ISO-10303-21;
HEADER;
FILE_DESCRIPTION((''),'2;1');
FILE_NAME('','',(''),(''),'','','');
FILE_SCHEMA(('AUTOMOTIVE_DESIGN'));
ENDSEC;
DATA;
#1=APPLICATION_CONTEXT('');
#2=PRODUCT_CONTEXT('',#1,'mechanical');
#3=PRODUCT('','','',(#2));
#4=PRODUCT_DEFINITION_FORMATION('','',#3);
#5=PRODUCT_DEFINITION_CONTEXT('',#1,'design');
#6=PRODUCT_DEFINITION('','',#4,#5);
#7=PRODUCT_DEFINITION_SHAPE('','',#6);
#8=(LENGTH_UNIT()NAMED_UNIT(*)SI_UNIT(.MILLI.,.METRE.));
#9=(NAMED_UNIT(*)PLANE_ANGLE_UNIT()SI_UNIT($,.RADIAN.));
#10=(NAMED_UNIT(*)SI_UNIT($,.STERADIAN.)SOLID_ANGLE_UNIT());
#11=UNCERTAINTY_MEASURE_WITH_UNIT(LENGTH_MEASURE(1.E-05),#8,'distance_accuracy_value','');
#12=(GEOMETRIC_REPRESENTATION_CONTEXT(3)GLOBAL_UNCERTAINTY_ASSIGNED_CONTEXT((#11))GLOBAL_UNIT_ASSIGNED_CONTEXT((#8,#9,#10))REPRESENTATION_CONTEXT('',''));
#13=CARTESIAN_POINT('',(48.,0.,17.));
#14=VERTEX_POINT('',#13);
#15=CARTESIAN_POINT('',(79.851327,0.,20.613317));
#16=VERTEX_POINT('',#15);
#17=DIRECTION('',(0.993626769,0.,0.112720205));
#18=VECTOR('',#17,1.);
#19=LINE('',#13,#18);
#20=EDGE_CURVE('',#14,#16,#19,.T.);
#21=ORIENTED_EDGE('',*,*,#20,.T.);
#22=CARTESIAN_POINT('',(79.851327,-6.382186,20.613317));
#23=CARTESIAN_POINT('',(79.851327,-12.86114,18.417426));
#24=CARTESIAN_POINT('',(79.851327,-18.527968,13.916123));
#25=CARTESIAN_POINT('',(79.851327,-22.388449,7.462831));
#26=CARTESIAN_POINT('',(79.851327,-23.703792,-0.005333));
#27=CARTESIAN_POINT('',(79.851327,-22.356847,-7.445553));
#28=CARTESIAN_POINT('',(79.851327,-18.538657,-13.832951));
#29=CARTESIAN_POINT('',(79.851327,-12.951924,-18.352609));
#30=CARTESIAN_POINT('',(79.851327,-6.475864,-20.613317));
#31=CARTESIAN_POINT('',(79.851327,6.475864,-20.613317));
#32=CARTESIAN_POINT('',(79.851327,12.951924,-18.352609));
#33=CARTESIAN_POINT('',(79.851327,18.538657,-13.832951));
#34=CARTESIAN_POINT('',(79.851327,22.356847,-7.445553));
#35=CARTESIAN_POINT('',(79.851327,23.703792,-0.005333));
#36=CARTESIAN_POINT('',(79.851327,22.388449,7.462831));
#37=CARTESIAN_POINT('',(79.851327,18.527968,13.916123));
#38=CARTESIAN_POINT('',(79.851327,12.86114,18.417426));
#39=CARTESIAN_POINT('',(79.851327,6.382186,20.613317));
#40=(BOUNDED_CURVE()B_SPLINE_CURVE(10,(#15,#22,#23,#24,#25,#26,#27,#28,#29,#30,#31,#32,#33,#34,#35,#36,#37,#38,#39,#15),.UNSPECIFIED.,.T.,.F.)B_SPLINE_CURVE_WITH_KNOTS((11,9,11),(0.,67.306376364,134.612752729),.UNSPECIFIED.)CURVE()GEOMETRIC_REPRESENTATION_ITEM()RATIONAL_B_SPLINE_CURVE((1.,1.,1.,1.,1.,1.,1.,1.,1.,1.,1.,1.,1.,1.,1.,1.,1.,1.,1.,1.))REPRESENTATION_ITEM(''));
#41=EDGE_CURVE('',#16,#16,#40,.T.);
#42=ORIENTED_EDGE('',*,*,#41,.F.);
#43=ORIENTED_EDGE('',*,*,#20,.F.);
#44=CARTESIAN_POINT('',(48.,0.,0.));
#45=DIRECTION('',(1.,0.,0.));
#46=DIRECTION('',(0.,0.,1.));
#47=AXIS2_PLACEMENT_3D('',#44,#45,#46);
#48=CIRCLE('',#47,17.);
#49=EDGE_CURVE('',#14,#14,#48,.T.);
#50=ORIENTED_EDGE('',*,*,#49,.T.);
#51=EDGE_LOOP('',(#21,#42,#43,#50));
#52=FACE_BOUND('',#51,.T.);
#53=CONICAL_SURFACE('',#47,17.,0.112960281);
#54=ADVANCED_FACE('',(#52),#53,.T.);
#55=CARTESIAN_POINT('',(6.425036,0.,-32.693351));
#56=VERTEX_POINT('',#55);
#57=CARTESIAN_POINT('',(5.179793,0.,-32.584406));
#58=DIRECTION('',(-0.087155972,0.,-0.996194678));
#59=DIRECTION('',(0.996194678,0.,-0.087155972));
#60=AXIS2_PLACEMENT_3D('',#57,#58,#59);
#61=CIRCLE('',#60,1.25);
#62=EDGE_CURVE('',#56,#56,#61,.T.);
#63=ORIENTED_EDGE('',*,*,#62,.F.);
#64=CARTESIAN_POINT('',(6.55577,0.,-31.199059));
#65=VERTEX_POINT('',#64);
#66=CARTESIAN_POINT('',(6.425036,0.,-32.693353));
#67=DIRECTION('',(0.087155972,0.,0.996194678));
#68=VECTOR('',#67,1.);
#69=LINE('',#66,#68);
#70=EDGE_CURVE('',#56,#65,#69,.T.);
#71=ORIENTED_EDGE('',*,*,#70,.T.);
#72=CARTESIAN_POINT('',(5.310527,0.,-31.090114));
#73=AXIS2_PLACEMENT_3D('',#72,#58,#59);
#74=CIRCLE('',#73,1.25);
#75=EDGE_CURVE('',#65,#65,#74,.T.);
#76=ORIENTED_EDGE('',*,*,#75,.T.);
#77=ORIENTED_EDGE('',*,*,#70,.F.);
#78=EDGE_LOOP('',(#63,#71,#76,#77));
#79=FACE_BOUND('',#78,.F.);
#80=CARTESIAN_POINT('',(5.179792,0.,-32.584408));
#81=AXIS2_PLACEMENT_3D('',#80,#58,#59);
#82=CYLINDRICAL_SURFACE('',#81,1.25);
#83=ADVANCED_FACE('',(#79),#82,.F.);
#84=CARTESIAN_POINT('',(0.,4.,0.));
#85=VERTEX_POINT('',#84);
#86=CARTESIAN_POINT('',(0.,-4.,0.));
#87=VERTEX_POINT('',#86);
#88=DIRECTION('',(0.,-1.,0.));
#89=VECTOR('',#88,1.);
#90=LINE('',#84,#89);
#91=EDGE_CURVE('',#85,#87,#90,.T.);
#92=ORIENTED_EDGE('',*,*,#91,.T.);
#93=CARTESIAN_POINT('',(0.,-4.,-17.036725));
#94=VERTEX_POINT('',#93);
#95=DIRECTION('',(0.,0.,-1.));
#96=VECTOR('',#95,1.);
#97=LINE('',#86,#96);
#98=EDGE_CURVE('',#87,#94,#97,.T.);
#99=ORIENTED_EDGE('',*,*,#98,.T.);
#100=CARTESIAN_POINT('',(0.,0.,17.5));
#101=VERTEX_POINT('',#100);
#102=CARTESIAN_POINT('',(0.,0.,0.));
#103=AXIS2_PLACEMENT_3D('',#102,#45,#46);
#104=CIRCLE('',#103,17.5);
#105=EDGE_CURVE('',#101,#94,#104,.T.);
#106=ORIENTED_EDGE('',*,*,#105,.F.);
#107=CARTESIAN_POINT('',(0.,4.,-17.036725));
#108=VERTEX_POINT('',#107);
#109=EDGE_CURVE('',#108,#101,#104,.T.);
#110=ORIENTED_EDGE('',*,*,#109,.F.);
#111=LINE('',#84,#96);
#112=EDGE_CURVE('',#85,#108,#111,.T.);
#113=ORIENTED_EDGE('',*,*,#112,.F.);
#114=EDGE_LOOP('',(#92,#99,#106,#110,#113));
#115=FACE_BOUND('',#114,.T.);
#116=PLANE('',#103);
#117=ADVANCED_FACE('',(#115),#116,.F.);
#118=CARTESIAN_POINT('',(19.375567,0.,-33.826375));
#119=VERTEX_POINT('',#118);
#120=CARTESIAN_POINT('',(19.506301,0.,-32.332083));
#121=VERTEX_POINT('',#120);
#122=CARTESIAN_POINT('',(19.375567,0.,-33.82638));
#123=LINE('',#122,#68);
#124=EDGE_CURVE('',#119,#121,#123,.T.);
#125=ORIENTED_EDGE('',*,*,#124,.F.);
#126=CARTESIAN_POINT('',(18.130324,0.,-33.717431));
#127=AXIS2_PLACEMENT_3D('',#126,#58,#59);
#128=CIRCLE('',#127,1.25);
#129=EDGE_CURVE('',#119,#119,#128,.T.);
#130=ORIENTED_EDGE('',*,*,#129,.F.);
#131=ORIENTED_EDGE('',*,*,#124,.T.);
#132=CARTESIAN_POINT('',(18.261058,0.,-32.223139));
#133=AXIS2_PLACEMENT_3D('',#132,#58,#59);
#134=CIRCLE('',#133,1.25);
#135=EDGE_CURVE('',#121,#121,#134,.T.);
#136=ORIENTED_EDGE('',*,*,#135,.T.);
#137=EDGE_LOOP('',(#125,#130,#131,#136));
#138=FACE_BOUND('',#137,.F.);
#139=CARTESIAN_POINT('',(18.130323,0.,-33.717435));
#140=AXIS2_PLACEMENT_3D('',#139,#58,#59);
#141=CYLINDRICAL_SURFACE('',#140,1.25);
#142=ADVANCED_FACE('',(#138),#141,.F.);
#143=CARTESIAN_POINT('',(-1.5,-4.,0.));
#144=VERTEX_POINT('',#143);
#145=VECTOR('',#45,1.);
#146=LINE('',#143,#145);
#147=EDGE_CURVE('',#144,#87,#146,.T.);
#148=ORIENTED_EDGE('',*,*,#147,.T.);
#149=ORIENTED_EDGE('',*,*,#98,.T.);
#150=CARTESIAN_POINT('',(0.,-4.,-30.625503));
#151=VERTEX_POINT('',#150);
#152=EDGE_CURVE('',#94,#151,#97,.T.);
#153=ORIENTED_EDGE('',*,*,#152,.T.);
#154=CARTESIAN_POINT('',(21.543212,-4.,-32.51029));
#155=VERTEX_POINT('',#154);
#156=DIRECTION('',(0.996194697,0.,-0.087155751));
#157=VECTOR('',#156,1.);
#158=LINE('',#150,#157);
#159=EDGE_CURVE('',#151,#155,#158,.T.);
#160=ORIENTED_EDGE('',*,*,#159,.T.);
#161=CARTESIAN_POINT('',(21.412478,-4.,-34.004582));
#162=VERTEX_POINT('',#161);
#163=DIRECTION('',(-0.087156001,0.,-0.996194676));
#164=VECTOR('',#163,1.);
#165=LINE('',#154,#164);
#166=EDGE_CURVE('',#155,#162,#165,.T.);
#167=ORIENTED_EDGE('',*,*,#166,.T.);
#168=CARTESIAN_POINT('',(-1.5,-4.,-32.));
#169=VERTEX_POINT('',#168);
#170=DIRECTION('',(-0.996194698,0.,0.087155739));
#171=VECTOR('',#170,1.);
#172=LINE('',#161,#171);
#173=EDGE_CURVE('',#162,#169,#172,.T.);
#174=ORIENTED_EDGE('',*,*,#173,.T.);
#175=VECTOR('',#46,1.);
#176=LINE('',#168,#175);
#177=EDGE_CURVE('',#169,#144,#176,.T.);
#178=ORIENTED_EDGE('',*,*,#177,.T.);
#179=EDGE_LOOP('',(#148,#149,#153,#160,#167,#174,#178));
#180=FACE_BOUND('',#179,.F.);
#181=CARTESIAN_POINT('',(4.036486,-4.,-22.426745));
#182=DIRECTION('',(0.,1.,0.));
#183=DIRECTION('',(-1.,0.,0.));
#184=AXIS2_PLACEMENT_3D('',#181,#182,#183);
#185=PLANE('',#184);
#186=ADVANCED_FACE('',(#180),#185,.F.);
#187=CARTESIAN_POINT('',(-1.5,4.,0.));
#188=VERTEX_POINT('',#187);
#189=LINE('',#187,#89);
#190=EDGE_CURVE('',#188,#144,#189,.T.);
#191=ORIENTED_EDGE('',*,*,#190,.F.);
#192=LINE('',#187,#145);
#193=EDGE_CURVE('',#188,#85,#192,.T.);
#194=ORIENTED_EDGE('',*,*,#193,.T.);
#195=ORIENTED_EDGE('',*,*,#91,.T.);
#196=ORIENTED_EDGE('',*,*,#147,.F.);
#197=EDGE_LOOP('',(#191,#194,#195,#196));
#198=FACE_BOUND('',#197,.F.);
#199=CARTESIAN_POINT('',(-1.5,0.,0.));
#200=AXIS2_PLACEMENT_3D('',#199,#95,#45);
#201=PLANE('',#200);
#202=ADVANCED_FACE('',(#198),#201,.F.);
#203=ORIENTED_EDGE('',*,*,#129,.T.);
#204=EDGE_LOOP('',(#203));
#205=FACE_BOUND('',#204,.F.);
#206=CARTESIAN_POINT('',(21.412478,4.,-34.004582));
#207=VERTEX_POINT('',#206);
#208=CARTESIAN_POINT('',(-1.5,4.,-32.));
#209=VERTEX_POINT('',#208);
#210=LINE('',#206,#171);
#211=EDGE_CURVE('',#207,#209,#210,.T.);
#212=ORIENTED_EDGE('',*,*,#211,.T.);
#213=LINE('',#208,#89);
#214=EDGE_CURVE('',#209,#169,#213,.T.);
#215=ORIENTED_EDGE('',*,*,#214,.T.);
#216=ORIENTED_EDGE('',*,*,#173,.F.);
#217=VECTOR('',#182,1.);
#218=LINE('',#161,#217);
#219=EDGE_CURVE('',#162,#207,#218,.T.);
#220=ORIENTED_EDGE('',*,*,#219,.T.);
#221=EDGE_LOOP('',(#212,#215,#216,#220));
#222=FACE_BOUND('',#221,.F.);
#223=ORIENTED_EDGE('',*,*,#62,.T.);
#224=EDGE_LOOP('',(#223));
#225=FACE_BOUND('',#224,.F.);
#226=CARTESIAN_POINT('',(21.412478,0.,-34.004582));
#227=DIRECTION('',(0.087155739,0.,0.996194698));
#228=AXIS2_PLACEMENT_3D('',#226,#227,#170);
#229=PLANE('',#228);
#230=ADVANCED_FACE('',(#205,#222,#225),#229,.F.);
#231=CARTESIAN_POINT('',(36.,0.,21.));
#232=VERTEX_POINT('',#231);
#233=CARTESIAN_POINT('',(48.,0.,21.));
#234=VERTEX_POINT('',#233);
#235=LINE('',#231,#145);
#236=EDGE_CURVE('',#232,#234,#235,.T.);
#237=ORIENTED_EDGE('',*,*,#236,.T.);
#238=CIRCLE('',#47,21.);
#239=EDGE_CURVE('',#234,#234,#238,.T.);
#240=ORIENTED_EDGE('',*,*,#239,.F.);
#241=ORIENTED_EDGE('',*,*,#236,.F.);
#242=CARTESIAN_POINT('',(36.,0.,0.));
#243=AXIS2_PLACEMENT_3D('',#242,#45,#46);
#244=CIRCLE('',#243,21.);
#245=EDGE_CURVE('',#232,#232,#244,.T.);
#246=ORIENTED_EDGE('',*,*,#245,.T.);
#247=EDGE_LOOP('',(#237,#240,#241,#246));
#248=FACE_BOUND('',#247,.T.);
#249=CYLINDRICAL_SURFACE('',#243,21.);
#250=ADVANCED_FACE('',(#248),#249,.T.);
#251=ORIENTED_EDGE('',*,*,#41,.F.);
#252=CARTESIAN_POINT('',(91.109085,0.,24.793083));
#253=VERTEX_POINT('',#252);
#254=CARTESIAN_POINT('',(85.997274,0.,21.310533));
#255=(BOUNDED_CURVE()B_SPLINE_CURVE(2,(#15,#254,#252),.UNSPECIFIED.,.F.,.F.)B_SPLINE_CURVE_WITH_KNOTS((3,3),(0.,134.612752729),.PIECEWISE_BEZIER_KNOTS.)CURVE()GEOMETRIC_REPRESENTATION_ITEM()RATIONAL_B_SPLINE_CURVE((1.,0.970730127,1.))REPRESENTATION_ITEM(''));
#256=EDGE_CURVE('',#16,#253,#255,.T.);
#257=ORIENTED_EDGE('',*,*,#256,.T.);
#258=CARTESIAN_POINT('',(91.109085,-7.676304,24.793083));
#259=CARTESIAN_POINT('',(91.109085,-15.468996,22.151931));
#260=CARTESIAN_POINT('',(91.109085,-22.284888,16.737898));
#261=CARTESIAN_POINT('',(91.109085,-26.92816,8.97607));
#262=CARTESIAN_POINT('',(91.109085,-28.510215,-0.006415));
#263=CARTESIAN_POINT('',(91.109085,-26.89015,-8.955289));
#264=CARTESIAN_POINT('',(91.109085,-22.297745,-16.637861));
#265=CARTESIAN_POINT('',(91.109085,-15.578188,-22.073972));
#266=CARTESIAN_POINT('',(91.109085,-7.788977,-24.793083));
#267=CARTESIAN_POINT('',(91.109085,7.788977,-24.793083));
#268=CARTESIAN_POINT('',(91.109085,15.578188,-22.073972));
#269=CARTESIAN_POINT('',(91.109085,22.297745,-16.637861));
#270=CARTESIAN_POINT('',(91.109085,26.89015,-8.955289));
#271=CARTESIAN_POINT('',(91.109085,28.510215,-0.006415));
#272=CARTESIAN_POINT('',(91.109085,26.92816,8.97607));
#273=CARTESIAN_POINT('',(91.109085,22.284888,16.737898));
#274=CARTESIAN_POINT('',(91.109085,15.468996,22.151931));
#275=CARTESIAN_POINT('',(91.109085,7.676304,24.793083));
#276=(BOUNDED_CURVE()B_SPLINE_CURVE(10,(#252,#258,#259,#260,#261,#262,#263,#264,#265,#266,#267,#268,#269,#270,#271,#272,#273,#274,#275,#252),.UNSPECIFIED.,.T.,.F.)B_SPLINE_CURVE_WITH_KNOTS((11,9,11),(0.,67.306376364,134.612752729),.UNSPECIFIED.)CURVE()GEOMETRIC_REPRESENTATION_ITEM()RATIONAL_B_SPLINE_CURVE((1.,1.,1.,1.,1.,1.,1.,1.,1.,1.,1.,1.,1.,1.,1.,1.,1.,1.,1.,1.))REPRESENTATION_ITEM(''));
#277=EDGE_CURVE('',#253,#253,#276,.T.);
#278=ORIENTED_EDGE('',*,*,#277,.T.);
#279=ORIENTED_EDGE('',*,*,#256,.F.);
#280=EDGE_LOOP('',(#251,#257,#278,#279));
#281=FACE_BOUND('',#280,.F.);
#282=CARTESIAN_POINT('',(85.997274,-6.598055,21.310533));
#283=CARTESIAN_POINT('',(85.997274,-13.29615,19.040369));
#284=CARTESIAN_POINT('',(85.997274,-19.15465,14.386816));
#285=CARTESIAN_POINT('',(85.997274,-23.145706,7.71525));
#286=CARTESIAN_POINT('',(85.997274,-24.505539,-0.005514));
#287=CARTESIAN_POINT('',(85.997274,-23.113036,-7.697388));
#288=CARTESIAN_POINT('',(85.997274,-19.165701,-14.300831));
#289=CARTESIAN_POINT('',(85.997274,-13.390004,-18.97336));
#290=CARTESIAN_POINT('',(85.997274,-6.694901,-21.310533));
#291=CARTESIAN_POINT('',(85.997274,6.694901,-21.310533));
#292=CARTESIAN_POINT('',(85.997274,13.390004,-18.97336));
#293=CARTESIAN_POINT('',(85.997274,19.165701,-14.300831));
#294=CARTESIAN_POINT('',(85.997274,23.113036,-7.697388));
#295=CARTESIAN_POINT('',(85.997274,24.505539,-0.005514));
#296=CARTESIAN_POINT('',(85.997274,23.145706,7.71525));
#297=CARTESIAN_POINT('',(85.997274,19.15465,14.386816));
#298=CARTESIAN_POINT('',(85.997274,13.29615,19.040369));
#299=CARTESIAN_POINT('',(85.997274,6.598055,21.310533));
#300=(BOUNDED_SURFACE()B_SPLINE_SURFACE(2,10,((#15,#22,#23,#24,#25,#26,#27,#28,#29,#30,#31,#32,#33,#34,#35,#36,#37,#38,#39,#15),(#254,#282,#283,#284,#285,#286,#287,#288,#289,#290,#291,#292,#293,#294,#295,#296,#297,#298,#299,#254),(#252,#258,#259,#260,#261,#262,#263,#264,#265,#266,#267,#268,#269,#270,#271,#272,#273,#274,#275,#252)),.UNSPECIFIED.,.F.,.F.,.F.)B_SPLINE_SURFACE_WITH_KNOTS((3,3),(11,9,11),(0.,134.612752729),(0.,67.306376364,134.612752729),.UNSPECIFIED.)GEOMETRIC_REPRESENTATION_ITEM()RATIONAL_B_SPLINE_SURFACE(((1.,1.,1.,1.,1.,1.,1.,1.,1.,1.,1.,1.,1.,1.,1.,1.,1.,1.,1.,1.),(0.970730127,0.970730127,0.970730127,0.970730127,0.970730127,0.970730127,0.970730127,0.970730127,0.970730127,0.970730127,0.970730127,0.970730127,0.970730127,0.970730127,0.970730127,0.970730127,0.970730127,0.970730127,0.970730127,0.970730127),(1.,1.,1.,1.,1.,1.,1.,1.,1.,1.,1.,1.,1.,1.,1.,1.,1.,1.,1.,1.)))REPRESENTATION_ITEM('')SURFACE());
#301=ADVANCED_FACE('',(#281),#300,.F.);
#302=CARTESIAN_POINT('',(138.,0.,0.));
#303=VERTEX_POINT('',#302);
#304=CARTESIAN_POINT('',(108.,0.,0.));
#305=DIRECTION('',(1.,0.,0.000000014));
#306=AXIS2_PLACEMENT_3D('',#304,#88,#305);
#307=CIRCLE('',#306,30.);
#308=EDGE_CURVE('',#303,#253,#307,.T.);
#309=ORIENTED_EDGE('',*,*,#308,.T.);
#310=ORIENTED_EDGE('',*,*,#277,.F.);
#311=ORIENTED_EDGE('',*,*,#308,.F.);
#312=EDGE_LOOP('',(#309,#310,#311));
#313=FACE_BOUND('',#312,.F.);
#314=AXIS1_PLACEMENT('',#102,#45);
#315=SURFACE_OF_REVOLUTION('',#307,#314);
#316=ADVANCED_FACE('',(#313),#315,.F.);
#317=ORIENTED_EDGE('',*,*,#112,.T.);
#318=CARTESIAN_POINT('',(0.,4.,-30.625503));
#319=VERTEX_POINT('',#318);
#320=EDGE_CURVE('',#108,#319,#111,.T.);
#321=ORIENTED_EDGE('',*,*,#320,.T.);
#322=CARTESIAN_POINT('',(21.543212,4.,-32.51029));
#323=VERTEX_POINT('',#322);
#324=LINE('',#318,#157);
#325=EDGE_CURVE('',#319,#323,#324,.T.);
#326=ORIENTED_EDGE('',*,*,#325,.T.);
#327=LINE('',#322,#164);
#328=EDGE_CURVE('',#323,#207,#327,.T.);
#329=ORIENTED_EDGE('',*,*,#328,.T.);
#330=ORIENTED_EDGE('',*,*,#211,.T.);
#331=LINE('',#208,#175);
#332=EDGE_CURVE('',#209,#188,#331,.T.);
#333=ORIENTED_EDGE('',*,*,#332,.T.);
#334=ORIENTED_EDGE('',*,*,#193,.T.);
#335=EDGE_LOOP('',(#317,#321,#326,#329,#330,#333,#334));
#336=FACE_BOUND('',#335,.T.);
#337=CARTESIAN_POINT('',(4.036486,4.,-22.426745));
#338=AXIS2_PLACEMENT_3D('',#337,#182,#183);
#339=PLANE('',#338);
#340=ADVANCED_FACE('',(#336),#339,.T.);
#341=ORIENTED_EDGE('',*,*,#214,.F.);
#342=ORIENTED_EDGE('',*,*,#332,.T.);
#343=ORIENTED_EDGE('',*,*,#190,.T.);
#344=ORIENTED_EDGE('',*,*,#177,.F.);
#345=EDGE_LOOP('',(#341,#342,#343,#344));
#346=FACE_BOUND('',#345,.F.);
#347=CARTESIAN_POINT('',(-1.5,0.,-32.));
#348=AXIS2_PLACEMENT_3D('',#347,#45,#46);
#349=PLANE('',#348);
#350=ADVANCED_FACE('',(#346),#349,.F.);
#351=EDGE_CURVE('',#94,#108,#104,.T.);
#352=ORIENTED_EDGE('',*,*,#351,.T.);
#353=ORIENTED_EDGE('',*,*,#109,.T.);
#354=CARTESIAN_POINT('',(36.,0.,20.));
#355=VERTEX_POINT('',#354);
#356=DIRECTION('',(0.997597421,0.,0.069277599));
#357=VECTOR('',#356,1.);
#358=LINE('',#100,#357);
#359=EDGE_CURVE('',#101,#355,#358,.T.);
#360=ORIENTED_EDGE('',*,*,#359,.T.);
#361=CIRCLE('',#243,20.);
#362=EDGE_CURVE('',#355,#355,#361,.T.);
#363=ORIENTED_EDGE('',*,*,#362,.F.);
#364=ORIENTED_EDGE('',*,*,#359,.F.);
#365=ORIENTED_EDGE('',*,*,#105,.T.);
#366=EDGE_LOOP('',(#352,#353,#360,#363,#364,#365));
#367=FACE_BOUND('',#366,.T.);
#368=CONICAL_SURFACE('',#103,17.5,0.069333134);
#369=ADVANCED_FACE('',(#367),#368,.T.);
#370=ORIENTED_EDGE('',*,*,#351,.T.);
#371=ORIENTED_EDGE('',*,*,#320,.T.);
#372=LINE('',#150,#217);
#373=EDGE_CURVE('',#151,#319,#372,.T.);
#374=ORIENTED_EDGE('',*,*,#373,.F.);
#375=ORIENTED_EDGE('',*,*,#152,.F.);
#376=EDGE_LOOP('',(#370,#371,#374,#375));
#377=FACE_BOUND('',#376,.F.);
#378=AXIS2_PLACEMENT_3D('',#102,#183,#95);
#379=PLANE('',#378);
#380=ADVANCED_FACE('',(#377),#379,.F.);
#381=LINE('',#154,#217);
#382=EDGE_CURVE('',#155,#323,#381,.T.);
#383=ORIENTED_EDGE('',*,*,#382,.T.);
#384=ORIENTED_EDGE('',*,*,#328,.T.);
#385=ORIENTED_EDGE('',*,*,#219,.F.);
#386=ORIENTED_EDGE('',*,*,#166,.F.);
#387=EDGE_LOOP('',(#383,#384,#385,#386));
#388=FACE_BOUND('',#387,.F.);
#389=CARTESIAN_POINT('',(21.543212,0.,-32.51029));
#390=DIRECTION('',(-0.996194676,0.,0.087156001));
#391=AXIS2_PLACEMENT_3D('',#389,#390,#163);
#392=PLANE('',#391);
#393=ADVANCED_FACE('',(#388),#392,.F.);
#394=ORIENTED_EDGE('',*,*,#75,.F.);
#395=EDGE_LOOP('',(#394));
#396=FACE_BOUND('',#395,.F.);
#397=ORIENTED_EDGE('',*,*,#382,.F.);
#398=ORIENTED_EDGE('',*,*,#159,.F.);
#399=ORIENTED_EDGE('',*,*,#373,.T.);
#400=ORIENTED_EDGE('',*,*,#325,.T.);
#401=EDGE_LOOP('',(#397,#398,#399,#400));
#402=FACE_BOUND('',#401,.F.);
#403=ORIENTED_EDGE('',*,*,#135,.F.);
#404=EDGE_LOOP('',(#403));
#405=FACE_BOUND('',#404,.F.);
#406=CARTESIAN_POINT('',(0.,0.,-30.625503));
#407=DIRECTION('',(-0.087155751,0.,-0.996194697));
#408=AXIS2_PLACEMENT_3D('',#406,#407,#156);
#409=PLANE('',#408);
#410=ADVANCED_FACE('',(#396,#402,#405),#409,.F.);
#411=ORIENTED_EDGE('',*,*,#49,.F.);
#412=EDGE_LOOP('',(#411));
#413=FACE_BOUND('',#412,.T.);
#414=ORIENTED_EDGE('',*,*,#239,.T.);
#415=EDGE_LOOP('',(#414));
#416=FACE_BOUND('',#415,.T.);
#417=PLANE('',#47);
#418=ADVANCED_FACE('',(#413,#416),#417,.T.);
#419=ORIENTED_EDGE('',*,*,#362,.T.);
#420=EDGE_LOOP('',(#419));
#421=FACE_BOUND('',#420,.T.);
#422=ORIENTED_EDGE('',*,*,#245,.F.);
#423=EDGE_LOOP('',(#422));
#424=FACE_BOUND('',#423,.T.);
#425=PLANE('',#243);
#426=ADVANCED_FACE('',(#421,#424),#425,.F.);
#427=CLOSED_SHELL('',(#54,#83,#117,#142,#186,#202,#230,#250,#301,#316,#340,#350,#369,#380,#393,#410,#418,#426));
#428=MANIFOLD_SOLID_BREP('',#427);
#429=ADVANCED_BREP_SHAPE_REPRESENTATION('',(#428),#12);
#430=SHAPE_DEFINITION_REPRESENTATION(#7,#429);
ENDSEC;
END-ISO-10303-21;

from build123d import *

# Parameters (mm, degrees)
PAD_DEPTH   = 4
FILLET_R    = 25
SKETCH002_R = 1.25
HOLE_DEPTH  = 3
HOLE_TIPS_R = 1.25


with BuildPart() as part:
    # Sketch → Revolution (revolve)
    with BuildSketch(Plane.XZ):
        with BuildLine():
            Line((0, 0), (0, 17.5))
            Line((0, 17.5), (36, 20))
            Line((36, 20), (36, 21))
            Line((36, 21), (48, 21))
            Line((48, 21), (48, 17))
            Line((48, 17), (87, 21.424285))
            ThreePointArc((138, 0), (119.61895, 27.658633), (87, 21.424285))
            Line((138, 0), (0, 0))
        make_face()
    revolve(axis=Axis((0, 0, 0), (1, 0, 0)))

    # Sketch001 → Pad (new body, symmetric)
    with BuildSketch(Plane.XZ):
        Polygon((0, 0), (0, -30.625503), (21.543212, -32.51029), (21.412478, -34.004582), (-1.5, -32), (-1.5, 0), align=None)
    extrude(amount=PAD_DEPTH, both=True)

    # Fillet
    fillet_edges = [part.edges().sort_by_distance(p)[0] for p in [
        (87, 0, -21.424285),
    ]]
    fillet(fillet_edges, radius=FILLET_R)

    # Sketch002 (on Face15 of Fillet) → Hole (cut)
    with BuildSketch(Plane(origin=(-2.789765, 0, -31.88716), x_dir=(0.996195, 0, -0.087156), z_dir=(-0.087156, 0, -0.996195))):
        with Locations((8, 0)):
            Circle(SKETCH002_R)
        with Locations((21, 0)):
            Circle(SKETCH002_R)
    extrude(amount=-HOLE_DEPTH, mode=Mode.SUBTRACT)

    # Hole tips → Hole tip 1 section 0
    with BuildSketch(Plane(origin=(-2.528298, 0, -28.898576), x_dir=(0.996195, 0, -0.087156), z_dir=(-0.087156, 0, -0.996195)), mode=Mode.PRIVATE) as hole_tip_1_s0:
        with Locations((8, 0)):
            Circle(HOLE_TIPS_R)
    loft([hole_tip_1_s0.sketch, Vertex(5.50672, 0, -28.847604)], mode=Mode.SUBTRACT)

    # Hole tips → Hole tip 2 section 0
    with BuildSketch(Plane(origin=(-2.528298, 0, -28.898576), x_dir=(0.996195, 0, -0.087156), z_dir=(-0.087156, 0, -0.996195)), mode=Mode.PRIVATE) as hole_tip_2_s0:
        with Locations((21, 0)):
            Circle(HOLE_TIPS_R)
    loft([hole_tip_2_s0.sketch, Vertex(18.457251, 0, -29.980629)], mode=Mode.SUBTRACT)


solid = part.part
